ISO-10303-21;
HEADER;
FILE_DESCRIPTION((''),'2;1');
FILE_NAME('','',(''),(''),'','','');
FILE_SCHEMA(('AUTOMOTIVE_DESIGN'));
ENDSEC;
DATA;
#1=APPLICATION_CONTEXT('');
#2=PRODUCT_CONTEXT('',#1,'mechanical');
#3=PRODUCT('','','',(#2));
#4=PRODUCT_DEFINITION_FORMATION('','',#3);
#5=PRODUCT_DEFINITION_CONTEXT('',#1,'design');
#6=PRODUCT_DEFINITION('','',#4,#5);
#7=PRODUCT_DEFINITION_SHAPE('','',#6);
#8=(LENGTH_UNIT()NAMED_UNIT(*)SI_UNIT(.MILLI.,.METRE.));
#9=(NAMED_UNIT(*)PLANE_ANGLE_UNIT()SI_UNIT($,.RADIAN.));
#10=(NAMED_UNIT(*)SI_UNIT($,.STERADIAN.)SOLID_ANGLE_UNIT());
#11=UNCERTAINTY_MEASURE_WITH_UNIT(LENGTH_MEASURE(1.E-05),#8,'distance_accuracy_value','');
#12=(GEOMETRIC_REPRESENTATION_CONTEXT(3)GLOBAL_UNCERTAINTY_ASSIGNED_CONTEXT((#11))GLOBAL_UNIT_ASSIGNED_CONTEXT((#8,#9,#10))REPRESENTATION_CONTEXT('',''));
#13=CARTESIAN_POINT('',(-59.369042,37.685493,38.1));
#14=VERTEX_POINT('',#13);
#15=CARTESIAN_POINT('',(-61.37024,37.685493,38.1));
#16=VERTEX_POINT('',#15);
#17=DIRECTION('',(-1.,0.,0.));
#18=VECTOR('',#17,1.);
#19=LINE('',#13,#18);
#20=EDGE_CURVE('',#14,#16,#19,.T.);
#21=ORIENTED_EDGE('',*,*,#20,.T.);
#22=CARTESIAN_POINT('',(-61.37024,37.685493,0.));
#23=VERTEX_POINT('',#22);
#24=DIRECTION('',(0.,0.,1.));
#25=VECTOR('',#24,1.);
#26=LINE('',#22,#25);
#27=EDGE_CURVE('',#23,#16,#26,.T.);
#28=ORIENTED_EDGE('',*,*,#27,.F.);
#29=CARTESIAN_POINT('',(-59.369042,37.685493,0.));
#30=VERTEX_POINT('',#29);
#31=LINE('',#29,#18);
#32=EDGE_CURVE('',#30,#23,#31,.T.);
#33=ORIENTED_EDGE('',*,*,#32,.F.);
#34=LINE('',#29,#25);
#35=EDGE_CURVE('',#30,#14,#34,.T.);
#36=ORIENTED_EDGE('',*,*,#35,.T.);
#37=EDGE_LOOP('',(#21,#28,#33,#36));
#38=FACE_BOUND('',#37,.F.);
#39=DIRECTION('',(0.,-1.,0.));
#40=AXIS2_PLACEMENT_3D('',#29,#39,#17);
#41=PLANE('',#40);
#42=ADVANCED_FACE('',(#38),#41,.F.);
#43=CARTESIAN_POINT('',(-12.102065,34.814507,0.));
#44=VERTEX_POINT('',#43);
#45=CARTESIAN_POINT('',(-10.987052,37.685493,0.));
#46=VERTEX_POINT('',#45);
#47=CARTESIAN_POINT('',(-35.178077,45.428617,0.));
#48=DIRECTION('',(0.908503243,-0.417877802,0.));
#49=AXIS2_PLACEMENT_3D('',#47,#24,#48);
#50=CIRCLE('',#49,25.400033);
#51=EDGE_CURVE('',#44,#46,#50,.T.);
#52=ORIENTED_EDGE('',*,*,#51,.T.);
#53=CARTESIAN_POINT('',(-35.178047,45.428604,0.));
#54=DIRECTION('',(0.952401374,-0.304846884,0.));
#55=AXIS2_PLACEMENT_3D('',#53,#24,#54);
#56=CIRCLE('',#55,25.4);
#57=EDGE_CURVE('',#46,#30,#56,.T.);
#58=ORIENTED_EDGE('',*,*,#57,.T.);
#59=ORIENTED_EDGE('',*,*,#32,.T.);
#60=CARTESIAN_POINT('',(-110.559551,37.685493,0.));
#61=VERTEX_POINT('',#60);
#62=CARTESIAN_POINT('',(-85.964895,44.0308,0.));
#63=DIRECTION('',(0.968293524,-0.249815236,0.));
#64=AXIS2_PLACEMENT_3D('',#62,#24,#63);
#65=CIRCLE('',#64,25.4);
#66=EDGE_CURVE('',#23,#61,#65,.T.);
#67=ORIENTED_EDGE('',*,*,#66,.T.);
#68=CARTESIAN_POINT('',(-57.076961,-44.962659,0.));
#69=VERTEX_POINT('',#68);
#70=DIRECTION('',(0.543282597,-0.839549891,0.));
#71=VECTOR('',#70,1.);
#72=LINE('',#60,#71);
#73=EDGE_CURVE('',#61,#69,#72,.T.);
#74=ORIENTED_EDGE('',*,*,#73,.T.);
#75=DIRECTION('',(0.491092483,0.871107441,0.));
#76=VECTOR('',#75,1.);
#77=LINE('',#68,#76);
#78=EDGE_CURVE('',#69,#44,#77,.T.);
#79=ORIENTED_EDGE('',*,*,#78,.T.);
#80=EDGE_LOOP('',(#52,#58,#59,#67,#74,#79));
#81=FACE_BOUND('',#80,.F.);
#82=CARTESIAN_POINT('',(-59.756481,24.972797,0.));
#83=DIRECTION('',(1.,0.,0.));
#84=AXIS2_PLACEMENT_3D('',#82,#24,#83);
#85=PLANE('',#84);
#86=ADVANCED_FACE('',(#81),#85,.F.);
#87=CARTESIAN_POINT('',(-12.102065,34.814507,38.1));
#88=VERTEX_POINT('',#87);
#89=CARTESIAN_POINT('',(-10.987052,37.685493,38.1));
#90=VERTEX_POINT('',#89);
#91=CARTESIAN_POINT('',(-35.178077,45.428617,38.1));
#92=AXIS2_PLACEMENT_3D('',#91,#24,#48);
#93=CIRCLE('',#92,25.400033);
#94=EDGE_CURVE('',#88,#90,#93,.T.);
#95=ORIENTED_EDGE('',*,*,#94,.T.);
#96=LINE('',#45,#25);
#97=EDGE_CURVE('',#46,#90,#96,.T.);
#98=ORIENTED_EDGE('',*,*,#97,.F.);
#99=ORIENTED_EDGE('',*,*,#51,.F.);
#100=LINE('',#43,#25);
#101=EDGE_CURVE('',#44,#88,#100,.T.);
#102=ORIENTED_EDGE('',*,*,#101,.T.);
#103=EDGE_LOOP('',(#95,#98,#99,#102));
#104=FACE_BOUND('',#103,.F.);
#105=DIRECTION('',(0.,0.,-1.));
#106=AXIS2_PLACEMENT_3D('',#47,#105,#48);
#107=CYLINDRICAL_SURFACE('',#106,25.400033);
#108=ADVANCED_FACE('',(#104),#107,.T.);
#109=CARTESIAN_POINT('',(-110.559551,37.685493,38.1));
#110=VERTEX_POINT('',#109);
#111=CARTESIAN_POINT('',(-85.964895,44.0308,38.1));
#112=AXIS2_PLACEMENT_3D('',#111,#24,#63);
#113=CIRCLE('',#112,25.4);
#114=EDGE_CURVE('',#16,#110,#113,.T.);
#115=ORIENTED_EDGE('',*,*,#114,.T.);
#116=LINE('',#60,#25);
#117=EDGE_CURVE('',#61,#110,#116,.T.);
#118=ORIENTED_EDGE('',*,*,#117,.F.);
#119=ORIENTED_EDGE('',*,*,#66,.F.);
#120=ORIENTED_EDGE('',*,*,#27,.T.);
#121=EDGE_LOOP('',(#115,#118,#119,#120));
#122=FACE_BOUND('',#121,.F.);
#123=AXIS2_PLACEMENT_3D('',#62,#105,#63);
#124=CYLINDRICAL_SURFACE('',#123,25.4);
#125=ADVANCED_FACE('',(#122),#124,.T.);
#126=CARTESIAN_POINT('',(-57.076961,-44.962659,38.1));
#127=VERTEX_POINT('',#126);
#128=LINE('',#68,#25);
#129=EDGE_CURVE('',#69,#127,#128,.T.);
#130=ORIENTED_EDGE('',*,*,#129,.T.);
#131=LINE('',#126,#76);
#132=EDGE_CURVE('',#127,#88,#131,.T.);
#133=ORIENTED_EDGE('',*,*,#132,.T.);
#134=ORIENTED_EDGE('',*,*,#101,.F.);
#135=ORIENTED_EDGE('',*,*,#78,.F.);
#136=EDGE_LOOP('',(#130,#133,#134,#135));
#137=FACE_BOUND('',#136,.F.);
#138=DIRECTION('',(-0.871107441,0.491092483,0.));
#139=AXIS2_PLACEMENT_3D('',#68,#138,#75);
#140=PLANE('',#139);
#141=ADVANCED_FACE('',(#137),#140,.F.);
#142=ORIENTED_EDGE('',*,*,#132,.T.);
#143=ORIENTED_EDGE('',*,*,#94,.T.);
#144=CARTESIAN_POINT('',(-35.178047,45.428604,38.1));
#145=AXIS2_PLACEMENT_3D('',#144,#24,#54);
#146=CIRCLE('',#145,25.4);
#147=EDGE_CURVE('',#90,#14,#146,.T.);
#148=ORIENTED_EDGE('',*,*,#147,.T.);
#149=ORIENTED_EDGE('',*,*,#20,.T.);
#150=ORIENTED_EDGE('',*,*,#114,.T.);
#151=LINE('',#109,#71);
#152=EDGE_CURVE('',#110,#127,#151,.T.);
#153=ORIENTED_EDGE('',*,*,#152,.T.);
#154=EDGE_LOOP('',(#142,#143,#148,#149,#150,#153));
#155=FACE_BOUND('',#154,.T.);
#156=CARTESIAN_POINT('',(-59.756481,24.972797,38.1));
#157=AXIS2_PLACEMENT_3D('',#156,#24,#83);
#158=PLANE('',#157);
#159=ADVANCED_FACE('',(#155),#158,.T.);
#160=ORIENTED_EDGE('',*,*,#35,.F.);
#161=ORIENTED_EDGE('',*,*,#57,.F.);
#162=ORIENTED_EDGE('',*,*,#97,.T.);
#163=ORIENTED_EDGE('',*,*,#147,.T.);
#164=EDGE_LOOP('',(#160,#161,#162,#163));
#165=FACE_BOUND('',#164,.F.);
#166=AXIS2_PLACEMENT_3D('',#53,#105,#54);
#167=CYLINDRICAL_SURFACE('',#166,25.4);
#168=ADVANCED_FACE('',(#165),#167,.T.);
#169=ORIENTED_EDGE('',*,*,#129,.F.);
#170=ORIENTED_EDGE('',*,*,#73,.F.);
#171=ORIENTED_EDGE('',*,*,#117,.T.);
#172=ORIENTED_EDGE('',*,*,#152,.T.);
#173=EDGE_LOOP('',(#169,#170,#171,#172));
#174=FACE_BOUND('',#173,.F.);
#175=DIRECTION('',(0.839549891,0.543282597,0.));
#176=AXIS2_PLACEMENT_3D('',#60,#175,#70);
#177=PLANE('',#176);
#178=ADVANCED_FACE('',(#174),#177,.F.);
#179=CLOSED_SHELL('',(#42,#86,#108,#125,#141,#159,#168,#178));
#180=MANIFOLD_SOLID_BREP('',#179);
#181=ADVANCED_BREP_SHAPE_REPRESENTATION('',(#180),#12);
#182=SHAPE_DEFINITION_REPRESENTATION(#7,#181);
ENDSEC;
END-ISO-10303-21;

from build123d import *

# Parameters (mm, degrees)
F1_DEPTH = 38.1


with BuildPart() as f1:
    # F0 (on Top) → F1 (new body)
    with BuildSketch(Plane.XY):
        with BuildLine():
            Line((-59.369042, 37.685493), (-61.37024, 37.685493))
            ThreePointArc((-61.37024, 37.685493), (-85.964896, 69.4308), (-110.559551, 37.685493))
            Line((-110.559551, 37.685493), (-57.076961, -44.962659))
            Line((-57.076961, -44.962659), (-12.102065, 34.814507))
            ThreePointArc((-12.102065, 34.814507), (-11.501003, 36.233084), (-10.987052, 37.685493))
            ThreePointArc((-10.987052, 37.685493), (-35.178047, 70.828604), (-59.369042, 37.685493))
        make_face()
    extrude(amount=F1_DEPTH)


solid = f1.part
